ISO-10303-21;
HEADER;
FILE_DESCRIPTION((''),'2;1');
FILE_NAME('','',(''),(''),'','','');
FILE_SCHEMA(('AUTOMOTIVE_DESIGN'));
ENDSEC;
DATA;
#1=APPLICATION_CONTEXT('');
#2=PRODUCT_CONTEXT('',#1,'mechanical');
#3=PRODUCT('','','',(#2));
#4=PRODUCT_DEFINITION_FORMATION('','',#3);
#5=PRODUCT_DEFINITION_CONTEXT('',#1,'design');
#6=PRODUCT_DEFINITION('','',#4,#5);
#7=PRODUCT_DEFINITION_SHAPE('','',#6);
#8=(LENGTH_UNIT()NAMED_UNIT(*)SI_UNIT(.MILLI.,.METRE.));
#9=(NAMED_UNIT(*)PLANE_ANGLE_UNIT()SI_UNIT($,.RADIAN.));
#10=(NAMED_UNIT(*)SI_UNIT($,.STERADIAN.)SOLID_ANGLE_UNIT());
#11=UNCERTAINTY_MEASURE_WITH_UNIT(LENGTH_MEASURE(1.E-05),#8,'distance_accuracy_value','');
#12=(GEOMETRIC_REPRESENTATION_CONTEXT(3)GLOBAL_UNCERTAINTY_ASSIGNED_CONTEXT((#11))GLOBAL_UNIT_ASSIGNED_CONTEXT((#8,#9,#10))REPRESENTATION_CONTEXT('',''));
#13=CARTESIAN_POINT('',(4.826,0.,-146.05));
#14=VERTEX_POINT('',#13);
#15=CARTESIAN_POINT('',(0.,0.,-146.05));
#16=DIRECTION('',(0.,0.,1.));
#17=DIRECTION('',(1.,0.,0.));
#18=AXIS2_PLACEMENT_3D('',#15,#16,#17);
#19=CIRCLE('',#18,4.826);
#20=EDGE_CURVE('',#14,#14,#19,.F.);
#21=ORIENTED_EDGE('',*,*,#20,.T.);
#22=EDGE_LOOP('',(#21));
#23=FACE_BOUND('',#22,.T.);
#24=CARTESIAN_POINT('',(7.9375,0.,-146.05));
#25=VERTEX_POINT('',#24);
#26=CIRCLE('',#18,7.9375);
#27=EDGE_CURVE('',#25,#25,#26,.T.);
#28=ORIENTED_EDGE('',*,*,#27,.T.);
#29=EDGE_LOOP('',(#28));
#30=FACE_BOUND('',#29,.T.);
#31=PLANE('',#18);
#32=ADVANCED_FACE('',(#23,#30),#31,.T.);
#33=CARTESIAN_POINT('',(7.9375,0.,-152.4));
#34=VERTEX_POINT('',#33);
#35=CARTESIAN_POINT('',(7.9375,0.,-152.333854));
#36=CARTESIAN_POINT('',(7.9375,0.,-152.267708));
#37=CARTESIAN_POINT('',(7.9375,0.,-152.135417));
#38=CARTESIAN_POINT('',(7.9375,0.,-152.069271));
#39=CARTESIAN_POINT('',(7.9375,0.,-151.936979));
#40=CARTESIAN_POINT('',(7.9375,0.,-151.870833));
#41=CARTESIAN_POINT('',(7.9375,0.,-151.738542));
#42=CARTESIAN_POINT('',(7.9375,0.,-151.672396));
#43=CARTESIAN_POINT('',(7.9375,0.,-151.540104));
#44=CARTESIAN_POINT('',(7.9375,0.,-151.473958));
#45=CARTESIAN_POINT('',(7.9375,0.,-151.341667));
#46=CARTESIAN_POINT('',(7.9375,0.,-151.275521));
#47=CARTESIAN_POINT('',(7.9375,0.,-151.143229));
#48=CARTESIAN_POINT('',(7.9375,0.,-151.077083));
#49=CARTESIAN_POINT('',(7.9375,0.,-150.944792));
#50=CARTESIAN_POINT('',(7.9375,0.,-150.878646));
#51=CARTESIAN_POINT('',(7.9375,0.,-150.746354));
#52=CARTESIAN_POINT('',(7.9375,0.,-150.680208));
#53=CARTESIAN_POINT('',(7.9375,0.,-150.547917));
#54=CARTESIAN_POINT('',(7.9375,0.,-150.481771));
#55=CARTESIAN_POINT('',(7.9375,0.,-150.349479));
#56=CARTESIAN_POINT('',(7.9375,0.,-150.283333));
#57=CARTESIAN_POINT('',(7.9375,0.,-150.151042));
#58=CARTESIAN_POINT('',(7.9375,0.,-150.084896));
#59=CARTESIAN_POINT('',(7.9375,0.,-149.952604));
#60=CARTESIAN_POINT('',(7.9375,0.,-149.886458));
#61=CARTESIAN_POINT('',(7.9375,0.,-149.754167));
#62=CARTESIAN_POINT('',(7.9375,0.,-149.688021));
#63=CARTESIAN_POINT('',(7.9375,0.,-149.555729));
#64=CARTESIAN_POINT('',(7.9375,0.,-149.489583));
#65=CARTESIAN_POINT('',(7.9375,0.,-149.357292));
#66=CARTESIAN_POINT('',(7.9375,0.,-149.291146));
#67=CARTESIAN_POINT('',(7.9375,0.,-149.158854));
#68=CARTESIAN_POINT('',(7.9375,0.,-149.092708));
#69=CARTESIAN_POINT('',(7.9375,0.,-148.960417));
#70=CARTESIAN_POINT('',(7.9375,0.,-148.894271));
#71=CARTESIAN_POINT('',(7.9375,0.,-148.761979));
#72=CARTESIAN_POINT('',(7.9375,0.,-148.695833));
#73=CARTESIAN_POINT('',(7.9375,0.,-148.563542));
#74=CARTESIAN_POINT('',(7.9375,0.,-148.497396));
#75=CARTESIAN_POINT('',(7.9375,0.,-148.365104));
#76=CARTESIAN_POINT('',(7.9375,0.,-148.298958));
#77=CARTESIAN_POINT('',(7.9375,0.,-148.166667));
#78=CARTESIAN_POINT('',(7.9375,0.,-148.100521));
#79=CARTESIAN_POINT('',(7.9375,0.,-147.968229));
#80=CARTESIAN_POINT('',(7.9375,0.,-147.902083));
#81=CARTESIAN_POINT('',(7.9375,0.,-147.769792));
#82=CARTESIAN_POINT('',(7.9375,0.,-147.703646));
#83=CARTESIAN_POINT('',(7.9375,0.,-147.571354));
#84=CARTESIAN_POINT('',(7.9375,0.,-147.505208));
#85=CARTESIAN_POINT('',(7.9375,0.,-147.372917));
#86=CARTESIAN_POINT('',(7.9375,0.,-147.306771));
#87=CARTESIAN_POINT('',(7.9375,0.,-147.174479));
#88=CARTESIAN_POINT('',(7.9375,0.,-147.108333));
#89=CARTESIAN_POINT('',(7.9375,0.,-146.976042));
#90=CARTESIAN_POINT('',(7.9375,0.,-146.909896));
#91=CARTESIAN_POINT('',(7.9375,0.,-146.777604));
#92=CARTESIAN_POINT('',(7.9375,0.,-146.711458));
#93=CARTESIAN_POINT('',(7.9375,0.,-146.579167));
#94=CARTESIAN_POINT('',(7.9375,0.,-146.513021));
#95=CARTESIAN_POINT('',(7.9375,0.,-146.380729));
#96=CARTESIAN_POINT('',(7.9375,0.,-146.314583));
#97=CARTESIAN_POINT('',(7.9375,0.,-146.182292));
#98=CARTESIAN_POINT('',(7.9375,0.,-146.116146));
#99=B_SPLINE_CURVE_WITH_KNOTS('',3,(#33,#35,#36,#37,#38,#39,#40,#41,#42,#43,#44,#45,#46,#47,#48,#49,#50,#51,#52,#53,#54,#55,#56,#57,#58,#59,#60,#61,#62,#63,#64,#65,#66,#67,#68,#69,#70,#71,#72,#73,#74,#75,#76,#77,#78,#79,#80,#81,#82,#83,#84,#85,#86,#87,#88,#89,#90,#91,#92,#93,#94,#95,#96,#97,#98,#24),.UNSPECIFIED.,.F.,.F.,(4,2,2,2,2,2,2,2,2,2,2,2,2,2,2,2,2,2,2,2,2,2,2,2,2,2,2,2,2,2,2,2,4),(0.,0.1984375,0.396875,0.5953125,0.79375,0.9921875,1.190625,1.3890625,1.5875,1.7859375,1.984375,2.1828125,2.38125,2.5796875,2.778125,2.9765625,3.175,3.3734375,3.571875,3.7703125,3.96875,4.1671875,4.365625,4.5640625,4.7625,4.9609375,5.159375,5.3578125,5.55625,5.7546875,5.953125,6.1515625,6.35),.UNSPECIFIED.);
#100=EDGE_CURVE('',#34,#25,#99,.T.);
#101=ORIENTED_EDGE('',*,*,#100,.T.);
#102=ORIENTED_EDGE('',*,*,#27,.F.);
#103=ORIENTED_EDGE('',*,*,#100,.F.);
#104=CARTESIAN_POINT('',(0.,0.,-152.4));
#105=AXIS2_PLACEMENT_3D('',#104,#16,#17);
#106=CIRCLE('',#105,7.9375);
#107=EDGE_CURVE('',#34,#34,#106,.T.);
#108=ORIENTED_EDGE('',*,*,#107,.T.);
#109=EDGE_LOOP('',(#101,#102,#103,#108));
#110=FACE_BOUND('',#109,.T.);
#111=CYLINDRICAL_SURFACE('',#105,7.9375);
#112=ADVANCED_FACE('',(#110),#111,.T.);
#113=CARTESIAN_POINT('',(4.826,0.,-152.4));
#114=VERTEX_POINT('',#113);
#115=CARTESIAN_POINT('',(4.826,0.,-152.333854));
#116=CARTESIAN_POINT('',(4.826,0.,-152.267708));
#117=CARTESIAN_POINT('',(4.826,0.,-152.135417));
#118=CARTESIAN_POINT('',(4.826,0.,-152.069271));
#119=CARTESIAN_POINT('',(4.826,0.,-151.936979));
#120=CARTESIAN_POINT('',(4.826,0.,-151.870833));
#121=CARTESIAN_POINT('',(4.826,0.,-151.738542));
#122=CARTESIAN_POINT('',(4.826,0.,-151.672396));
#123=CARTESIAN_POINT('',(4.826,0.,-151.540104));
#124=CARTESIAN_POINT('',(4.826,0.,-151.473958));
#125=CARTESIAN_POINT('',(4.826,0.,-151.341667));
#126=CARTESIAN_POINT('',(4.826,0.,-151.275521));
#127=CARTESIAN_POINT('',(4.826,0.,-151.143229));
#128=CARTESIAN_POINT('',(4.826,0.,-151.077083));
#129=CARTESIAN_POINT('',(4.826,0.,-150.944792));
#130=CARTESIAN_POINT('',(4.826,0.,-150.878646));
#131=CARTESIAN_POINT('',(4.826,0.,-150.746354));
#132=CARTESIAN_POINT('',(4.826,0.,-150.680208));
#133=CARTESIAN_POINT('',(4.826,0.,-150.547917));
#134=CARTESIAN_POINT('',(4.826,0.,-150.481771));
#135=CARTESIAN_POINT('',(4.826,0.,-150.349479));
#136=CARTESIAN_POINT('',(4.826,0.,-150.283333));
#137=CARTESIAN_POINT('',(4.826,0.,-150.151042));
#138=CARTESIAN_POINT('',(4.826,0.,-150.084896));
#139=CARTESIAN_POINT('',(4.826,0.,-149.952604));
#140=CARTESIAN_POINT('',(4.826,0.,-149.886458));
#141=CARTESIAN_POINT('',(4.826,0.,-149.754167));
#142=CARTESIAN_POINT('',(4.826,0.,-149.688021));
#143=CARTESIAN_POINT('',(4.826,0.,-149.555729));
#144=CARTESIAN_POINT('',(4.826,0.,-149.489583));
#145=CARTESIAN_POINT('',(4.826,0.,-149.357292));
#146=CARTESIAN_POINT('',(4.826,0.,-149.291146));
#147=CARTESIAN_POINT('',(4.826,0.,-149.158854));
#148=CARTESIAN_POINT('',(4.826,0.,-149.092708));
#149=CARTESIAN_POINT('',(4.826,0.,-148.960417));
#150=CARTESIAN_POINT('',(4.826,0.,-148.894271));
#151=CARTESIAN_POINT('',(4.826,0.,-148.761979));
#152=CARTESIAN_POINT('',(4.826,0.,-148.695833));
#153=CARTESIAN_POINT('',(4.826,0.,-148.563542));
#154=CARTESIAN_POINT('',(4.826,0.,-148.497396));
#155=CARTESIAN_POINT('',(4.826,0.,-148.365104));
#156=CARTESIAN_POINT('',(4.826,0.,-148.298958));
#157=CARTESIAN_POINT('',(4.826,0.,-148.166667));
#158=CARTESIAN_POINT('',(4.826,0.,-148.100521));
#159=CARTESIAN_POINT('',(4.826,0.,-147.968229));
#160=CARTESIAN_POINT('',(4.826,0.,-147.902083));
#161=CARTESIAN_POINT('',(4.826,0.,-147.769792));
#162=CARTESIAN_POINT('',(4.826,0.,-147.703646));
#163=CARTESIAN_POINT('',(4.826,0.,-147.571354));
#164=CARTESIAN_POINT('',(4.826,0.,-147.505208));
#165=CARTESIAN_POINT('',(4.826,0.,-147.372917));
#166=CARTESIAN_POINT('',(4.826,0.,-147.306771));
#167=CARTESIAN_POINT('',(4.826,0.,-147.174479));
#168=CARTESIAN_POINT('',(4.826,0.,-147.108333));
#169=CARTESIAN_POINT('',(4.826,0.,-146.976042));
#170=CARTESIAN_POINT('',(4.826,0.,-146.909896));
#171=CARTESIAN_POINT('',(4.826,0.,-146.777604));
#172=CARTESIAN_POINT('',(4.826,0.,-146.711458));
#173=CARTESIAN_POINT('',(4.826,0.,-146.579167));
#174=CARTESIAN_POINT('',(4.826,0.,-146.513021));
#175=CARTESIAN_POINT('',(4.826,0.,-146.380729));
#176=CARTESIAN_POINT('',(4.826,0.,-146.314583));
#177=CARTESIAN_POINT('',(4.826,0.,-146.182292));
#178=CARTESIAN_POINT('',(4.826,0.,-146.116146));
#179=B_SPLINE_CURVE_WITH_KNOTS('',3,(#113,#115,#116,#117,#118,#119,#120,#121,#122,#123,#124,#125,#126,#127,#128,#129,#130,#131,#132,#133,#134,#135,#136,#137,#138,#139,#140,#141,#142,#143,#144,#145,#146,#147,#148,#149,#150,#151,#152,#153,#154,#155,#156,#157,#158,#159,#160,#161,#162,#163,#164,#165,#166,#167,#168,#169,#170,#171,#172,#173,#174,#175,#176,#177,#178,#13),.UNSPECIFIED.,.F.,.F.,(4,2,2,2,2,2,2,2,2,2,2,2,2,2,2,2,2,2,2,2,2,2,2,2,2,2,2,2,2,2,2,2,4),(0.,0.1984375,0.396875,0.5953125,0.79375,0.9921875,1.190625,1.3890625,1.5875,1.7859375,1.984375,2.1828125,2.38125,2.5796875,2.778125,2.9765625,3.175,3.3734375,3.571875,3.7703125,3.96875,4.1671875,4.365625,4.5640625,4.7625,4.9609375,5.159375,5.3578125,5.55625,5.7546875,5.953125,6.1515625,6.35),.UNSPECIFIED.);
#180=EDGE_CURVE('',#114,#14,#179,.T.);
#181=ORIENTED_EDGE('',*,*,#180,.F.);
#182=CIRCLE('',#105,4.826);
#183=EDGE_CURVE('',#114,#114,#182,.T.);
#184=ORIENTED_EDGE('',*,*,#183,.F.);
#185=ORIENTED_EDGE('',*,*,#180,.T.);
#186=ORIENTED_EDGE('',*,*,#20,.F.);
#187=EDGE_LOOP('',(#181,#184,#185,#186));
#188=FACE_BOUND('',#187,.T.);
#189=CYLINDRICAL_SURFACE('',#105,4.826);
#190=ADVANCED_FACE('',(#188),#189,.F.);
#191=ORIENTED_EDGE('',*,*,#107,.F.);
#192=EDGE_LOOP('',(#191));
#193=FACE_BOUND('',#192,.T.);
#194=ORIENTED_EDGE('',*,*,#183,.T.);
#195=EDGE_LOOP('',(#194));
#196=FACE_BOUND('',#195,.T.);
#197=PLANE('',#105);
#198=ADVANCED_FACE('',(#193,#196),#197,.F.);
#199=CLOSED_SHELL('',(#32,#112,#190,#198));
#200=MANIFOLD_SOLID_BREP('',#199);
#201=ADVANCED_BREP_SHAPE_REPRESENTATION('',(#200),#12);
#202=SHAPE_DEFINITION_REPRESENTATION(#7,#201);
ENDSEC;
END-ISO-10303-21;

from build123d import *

# Parameters (mm, degrees)
BOSS_EXTRUDE1_DEPTH      = 152.4
BOSS_EXTRUDE1_DEPTH_BACK = 152.4
SKETCH3_R                = 7.9375
SKETCH3_R_2              = 4.826
SKETCH4_R                = 7.9375
CUT_EXTRUDE1_DEPTH       = 298.45


with BuildPart() as part:
    # Sketch3 → Boss-Extrude1 (new, two sides: drawn at the far end of the back side and taken through both)
    with BuildSketch(Plane.XY.offset(-BOSS_EXTRUDE1_DEPTH_BACK)):
        Circle(SKETCH3_R)
        Circle(SKETCH3_R_2, mode=Mode.SUBTRACT)
    extrude(amount=BOSS_EXTRUDE1_DEPTH + BOSS_EXTRUDE1_DEPTH_BACK)

    # Sketch4 → Cut-Extrude1 (cut)
    with BuildSketch(Plane.XY.offset(152.4)):
        Circle(SKETCH4_R)
    extrude(amount=-CUT_EXTRUDE1_DEPTH, mode=Mode.SUBTRACT)


solid = part.part
